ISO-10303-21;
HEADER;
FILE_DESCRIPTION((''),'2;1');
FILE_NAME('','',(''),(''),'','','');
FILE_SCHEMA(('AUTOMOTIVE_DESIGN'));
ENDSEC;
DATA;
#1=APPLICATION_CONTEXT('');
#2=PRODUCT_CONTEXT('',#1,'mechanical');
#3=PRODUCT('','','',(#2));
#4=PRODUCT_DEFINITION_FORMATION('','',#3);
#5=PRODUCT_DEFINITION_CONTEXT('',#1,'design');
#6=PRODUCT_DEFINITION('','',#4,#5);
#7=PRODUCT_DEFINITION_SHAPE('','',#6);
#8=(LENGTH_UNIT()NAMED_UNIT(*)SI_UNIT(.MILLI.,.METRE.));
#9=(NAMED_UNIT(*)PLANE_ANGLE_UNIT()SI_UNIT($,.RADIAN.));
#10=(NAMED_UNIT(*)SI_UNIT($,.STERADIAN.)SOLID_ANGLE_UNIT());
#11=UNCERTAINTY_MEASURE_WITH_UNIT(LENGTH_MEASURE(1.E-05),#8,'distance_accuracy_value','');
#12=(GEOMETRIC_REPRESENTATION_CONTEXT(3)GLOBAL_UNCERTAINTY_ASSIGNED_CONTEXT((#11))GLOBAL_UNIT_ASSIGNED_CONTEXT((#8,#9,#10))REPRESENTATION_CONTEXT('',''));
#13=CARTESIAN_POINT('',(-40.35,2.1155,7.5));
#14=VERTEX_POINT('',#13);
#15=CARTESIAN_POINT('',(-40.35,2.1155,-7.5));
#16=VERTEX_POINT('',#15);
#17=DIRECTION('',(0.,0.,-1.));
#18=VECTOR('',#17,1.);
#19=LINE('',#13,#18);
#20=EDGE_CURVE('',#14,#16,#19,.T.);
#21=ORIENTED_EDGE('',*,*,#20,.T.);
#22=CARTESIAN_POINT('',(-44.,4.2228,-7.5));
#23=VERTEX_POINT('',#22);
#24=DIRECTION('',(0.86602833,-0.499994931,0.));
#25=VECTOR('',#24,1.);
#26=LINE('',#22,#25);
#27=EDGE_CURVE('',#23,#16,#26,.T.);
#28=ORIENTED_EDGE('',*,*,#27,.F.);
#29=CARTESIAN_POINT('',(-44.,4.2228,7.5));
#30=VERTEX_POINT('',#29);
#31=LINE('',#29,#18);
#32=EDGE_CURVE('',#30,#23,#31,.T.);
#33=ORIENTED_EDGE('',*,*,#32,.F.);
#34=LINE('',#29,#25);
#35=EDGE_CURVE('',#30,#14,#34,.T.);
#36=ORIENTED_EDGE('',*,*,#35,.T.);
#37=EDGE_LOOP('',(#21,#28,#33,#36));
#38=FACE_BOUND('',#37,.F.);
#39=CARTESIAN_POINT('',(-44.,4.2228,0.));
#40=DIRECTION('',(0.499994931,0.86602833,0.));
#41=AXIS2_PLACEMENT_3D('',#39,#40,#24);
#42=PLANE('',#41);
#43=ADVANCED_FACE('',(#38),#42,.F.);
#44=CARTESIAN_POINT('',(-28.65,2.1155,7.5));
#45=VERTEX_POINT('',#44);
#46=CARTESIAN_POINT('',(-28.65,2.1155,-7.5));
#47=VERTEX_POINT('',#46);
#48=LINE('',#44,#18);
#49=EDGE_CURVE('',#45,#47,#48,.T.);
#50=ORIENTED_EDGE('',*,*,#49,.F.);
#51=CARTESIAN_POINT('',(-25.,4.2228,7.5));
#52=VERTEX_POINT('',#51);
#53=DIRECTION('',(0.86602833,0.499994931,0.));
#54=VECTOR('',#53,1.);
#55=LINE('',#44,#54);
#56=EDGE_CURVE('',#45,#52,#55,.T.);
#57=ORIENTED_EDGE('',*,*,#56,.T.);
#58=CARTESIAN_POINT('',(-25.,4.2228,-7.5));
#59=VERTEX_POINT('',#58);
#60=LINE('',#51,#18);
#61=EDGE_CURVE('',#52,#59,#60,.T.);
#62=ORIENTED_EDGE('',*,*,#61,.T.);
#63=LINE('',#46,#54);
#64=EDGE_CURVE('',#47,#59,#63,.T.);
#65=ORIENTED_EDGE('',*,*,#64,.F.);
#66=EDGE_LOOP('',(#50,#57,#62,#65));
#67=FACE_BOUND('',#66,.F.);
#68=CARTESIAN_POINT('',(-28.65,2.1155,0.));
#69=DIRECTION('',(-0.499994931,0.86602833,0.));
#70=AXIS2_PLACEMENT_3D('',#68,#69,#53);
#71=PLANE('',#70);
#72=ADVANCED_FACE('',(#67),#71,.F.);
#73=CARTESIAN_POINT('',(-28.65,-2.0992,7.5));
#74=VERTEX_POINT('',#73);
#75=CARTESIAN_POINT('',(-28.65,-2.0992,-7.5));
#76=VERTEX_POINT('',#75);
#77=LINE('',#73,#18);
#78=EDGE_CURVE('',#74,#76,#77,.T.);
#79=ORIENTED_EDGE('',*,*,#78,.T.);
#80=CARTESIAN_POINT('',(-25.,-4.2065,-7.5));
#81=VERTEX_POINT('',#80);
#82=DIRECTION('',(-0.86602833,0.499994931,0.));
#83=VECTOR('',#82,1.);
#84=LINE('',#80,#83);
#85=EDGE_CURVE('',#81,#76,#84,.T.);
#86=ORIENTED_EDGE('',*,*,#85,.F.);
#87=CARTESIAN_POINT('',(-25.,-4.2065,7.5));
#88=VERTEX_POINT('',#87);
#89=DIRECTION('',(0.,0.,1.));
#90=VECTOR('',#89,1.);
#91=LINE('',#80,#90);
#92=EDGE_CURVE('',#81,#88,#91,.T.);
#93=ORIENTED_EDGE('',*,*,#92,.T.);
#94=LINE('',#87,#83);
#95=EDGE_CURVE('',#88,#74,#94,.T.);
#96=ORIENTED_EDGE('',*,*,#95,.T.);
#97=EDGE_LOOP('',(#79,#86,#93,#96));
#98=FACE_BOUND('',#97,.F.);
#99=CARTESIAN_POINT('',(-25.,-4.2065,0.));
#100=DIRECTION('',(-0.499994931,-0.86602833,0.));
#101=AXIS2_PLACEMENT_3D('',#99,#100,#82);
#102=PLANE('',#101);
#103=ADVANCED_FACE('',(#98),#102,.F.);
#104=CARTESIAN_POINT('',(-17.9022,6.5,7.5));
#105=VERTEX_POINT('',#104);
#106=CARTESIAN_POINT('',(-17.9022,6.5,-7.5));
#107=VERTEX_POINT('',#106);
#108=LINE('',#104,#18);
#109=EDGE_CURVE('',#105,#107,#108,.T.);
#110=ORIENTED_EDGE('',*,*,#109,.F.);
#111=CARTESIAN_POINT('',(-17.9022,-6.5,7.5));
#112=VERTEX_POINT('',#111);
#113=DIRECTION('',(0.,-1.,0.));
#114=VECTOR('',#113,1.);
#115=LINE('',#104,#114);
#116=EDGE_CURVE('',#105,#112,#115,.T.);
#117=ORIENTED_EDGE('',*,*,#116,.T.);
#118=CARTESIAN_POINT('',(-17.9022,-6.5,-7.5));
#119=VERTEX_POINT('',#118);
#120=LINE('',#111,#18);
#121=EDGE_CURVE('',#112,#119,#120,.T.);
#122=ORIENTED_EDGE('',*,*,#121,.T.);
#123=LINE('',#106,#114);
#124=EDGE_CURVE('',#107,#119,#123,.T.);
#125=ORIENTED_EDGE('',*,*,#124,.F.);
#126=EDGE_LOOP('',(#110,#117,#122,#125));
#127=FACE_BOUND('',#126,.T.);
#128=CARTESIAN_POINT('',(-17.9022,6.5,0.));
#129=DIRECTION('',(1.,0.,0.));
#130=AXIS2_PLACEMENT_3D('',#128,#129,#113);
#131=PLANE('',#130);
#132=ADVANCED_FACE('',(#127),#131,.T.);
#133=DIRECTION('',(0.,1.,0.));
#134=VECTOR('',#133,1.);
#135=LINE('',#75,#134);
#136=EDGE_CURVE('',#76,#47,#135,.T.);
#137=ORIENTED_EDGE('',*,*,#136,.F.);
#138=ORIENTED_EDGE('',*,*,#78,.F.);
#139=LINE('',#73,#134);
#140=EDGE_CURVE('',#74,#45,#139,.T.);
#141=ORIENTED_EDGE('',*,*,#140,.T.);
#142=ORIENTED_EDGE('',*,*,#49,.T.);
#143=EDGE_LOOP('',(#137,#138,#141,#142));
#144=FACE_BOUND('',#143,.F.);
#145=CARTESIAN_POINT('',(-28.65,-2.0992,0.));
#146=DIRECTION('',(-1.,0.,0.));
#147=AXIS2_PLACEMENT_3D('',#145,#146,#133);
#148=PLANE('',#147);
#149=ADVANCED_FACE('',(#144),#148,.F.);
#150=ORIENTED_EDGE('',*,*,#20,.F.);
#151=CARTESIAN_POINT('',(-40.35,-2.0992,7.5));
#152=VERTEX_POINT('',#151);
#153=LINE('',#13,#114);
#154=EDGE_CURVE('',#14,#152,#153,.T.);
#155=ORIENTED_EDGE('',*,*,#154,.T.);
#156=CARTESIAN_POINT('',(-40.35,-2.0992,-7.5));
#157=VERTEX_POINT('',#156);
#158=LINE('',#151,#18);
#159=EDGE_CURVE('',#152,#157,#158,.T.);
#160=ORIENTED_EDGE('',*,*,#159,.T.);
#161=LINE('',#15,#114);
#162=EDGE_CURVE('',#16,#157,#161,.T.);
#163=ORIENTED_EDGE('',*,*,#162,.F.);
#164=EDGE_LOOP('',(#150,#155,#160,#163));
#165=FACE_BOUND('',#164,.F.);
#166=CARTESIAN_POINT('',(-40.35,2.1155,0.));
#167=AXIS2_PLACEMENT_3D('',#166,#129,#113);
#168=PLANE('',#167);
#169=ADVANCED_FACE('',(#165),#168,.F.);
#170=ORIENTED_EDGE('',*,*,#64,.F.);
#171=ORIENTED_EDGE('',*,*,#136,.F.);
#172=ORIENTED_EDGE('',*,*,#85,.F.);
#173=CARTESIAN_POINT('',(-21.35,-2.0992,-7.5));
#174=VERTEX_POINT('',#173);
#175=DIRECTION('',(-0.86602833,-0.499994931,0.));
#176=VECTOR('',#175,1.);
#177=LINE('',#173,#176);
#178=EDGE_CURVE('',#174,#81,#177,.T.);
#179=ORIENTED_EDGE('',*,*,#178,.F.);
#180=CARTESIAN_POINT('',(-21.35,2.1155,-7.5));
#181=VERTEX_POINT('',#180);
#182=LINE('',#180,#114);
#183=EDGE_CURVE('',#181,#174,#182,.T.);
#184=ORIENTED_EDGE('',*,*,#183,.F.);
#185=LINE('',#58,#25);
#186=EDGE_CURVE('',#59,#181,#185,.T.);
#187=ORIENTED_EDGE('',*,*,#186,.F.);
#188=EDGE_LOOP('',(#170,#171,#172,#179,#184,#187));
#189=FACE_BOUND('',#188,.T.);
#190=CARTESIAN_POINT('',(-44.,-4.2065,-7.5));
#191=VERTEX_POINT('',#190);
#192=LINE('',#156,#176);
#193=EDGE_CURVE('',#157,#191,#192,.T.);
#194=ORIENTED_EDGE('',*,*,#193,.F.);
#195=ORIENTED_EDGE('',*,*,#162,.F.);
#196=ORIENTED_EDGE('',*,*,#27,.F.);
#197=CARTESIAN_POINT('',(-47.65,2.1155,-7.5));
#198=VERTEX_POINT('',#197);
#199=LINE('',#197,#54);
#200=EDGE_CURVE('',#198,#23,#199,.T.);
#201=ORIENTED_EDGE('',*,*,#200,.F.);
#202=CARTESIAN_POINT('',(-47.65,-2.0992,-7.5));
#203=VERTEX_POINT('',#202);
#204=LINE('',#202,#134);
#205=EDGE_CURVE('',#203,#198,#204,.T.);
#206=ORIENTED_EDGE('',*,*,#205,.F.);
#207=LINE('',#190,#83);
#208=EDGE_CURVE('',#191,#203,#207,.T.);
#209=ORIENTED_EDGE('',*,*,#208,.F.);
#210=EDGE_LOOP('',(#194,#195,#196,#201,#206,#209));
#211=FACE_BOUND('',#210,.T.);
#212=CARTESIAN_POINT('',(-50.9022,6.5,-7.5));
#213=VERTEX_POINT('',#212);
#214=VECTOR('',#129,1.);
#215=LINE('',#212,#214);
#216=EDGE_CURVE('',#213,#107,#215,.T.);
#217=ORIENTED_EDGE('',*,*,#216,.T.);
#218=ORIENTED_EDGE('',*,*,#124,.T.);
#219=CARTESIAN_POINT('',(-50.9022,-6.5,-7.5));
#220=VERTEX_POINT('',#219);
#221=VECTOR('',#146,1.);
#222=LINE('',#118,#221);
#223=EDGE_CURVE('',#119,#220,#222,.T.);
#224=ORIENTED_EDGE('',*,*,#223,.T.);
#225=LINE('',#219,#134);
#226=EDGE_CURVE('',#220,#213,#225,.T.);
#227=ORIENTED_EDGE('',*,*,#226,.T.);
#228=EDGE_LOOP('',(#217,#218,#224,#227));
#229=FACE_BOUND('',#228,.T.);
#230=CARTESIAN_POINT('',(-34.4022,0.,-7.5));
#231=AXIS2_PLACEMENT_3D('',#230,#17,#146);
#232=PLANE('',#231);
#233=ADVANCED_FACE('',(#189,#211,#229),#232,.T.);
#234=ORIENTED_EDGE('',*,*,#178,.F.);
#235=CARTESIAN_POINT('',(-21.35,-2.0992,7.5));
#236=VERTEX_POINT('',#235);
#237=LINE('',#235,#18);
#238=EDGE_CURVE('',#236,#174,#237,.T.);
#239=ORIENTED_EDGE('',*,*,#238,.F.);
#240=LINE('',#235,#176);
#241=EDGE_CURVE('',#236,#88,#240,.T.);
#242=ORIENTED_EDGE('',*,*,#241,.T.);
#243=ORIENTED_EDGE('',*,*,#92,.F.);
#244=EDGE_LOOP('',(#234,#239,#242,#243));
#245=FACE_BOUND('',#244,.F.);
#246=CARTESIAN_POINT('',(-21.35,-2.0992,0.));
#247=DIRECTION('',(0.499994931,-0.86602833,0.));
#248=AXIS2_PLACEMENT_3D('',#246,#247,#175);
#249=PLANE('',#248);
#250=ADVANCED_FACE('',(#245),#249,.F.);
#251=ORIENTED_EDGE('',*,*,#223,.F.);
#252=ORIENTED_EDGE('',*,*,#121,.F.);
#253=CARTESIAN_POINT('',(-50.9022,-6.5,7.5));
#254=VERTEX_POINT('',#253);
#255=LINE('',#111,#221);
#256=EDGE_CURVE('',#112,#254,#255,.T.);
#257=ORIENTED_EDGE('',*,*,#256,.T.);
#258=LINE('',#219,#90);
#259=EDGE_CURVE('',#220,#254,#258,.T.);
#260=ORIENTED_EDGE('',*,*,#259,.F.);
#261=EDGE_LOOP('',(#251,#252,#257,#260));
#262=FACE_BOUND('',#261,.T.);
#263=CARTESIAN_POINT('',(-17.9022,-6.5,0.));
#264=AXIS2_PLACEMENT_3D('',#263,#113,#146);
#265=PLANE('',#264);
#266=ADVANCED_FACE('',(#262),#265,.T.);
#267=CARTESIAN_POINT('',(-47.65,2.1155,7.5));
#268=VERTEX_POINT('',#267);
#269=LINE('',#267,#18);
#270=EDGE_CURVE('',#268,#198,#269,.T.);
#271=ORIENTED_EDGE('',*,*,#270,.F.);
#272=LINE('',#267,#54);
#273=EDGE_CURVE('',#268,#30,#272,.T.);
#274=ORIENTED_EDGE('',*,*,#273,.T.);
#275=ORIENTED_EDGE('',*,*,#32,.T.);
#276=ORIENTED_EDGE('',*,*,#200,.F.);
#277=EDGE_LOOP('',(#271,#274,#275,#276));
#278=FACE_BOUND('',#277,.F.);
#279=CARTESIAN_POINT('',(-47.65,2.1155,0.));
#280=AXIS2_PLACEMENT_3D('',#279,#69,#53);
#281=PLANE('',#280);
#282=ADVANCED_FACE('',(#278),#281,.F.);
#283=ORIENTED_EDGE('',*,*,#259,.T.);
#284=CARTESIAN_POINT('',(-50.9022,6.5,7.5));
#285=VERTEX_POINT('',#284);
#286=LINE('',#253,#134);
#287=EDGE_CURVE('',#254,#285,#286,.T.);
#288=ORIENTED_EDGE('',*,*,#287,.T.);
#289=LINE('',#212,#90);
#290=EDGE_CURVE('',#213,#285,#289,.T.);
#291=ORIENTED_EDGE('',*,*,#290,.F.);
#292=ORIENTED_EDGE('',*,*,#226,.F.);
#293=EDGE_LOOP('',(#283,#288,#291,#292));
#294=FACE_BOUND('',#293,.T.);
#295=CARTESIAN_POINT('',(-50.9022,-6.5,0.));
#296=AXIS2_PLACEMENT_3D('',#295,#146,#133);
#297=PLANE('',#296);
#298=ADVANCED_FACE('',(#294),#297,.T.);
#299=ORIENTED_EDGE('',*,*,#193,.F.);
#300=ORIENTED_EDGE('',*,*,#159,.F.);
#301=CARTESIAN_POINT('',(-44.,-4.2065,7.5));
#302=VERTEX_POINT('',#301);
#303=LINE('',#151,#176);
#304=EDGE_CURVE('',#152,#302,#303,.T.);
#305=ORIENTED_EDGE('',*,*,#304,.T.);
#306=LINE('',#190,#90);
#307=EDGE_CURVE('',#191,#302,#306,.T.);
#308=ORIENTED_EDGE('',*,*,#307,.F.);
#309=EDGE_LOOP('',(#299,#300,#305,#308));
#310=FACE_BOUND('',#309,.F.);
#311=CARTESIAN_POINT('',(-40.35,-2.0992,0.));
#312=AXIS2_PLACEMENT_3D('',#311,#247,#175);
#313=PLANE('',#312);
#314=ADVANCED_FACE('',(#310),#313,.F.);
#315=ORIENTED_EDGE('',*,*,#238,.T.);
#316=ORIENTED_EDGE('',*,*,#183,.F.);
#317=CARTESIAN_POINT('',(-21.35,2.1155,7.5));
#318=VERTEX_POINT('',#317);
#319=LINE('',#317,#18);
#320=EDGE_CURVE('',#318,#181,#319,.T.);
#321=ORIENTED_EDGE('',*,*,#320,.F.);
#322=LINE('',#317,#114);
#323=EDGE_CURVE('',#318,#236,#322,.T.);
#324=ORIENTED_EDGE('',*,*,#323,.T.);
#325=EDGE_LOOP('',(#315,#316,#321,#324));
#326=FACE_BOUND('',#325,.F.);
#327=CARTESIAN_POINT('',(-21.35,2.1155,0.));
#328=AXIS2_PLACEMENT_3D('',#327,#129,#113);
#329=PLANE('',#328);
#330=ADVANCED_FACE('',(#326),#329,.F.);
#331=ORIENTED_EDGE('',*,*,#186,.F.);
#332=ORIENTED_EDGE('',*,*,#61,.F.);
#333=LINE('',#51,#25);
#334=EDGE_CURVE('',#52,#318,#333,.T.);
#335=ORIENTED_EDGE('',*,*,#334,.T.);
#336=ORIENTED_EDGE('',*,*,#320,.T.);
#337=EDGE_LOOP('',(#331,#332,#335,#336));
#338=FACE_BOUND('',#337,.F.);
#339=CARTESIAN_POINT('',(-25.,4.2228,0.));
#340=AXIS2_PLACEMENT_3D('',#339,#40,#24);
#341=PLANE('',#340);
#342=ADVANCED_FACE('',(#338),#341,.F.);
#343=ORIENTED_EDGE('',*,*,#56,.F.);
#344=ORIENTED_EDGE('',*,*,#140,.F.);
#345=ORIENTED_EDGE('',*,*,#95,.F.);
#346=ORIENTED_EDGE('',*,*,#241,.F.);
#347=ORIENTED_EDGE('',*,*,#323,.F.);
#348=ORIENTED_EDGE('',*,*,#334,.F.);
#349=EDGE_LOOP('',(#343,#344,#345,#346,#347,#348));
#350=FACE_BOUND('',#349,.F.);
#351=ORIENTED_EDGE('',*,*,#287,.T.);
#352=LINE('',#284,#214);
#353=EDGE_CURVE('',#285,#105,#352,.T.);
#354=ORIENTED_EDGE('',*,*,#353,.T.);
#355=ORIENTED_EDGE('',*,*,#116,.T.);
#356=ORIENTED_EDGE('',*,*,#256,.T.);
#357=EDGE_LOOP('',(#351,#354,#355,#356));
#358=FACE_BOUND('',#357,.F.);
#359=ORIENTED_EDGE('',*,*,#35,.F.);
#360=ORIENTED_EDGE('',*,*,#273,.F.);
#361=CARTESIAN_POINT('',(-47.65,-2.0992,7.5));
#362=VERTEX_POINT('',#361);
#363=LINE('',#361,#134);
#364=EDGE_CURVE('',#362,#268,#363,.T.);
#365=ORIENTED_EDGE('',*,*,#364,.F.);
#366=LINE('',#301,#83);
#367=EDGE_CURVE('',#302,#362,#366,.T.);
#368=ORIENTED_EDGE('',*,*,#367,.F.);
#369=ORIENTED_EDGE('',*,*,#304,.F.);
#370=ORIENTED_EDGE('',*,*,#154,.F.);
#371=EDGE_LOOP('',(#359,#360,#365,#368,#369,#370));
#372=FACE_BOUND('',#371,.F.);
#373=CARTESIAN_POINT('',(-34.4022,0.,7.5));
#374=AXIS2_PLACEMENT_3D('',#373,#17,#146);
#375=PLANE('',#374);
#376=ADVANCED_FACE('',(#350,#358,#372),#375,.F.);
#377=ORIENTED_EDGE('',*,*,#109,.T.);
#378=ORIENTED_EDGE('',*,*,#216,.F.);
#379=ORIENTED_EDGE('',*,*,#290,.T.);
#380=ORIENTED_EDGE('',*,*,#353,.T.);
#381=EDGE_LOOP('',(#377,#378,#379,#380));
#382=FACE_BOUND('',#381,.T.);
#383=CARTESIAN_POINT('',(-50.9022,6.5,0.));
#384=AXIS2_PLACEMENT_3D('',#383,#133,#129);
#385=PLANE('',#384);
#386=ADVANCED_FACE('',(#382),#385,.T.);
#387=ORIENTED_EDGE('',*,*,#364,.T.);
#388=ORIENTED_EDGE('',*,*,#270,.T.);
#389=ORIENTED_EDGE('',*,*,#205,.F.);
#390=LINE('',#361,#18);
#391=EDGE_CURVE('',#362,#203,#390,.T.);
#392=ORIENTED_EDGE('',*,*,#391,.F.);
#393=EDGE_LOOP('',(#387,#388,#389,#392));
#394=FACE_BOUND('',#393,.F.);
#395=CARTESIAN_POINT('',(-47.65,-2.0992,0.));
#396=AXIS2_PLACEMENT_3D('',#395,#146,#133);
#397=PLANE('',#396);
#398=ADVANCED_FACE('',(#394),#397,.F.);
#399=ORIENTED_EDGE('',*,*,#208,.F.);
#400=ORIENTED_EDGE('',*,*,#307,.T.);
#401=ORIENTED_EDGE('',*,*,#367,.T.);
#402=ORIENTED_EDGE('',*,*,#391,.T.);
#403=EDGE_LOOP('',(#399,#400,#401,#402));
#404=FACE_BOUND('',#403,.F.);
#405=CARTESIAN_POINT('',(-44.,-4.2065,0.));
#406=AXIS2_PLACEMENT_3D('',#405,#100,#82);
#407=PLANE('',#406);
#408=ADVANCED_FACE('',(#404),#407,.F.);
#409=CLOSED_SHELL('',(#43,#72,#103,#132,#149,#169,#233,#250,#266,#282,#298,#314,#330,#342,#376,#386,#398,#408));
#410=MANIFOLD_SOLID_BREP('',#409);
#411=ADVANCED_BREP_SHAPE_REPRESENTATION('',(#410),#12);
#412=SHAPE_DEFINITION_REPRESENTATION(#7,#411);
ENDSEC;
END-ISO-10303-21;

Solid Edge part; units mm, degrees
sketch "Sketch1" plane through (0, 0, 0) normal (0, 0, 1) x (1, 0, 0)
  line L0 (-28.65, 2.1155) -> (-25, 4.2228)
  line L1 (-25, 4.2228) -> (-21.35, 2.1155)
  line L2 (-21.35, 2.1155) -> (-21.35, -2.0992)
  line L3 (-21.35, -2.0992) -> (-25, -4.2065)
  line L4 (-25, -4.2065) -> (-28.65, -2.0992)
  line L5 (-28.65, -2.0992) -> (-28.65, 2.1155)
  line L6 (-50.9022, 6.5) -> (-17.9022, 6.5)
  line L7 (-17.9022, 6.5) -> (-17.9022, -6.5)
  line L8 (-17.9022, -6.5) -> (-50.9022, -6.5)
  line L9 (-50.9022, -6.5) -> (-50.9022, 6.5)
  line L10 (-47.65, 2.1155) -> (-44, 4.2228)
  line L11 (-44, 4.2228) -> (-40.35, 2.1155)
  line L12 (-40.35, 2.1155) -> (-40.35, -2.0992)
  line L13 (-40.35, -2.0992) -> (-44, -4.2065)
  line L14 (-44, -4.2065) -> (-47.65, -2.0992)
  line L15 (-47.65, -2.0992) -> (-47.65, 2.1155)
  dimension "D1" = 5.5081
  dimension "D2" = 11
  dimension "D3" = 0.2
  dimension "D4" = 0.2
  dimension "D5" = 1
  dimension "D6" = 1.5
  dimension "D7" = 1.5
  dimension "D8" = 30
  dimension "D9" = 30
extrude "Protrusion1" add sketch "Sketch1" along normal mid plane 15
